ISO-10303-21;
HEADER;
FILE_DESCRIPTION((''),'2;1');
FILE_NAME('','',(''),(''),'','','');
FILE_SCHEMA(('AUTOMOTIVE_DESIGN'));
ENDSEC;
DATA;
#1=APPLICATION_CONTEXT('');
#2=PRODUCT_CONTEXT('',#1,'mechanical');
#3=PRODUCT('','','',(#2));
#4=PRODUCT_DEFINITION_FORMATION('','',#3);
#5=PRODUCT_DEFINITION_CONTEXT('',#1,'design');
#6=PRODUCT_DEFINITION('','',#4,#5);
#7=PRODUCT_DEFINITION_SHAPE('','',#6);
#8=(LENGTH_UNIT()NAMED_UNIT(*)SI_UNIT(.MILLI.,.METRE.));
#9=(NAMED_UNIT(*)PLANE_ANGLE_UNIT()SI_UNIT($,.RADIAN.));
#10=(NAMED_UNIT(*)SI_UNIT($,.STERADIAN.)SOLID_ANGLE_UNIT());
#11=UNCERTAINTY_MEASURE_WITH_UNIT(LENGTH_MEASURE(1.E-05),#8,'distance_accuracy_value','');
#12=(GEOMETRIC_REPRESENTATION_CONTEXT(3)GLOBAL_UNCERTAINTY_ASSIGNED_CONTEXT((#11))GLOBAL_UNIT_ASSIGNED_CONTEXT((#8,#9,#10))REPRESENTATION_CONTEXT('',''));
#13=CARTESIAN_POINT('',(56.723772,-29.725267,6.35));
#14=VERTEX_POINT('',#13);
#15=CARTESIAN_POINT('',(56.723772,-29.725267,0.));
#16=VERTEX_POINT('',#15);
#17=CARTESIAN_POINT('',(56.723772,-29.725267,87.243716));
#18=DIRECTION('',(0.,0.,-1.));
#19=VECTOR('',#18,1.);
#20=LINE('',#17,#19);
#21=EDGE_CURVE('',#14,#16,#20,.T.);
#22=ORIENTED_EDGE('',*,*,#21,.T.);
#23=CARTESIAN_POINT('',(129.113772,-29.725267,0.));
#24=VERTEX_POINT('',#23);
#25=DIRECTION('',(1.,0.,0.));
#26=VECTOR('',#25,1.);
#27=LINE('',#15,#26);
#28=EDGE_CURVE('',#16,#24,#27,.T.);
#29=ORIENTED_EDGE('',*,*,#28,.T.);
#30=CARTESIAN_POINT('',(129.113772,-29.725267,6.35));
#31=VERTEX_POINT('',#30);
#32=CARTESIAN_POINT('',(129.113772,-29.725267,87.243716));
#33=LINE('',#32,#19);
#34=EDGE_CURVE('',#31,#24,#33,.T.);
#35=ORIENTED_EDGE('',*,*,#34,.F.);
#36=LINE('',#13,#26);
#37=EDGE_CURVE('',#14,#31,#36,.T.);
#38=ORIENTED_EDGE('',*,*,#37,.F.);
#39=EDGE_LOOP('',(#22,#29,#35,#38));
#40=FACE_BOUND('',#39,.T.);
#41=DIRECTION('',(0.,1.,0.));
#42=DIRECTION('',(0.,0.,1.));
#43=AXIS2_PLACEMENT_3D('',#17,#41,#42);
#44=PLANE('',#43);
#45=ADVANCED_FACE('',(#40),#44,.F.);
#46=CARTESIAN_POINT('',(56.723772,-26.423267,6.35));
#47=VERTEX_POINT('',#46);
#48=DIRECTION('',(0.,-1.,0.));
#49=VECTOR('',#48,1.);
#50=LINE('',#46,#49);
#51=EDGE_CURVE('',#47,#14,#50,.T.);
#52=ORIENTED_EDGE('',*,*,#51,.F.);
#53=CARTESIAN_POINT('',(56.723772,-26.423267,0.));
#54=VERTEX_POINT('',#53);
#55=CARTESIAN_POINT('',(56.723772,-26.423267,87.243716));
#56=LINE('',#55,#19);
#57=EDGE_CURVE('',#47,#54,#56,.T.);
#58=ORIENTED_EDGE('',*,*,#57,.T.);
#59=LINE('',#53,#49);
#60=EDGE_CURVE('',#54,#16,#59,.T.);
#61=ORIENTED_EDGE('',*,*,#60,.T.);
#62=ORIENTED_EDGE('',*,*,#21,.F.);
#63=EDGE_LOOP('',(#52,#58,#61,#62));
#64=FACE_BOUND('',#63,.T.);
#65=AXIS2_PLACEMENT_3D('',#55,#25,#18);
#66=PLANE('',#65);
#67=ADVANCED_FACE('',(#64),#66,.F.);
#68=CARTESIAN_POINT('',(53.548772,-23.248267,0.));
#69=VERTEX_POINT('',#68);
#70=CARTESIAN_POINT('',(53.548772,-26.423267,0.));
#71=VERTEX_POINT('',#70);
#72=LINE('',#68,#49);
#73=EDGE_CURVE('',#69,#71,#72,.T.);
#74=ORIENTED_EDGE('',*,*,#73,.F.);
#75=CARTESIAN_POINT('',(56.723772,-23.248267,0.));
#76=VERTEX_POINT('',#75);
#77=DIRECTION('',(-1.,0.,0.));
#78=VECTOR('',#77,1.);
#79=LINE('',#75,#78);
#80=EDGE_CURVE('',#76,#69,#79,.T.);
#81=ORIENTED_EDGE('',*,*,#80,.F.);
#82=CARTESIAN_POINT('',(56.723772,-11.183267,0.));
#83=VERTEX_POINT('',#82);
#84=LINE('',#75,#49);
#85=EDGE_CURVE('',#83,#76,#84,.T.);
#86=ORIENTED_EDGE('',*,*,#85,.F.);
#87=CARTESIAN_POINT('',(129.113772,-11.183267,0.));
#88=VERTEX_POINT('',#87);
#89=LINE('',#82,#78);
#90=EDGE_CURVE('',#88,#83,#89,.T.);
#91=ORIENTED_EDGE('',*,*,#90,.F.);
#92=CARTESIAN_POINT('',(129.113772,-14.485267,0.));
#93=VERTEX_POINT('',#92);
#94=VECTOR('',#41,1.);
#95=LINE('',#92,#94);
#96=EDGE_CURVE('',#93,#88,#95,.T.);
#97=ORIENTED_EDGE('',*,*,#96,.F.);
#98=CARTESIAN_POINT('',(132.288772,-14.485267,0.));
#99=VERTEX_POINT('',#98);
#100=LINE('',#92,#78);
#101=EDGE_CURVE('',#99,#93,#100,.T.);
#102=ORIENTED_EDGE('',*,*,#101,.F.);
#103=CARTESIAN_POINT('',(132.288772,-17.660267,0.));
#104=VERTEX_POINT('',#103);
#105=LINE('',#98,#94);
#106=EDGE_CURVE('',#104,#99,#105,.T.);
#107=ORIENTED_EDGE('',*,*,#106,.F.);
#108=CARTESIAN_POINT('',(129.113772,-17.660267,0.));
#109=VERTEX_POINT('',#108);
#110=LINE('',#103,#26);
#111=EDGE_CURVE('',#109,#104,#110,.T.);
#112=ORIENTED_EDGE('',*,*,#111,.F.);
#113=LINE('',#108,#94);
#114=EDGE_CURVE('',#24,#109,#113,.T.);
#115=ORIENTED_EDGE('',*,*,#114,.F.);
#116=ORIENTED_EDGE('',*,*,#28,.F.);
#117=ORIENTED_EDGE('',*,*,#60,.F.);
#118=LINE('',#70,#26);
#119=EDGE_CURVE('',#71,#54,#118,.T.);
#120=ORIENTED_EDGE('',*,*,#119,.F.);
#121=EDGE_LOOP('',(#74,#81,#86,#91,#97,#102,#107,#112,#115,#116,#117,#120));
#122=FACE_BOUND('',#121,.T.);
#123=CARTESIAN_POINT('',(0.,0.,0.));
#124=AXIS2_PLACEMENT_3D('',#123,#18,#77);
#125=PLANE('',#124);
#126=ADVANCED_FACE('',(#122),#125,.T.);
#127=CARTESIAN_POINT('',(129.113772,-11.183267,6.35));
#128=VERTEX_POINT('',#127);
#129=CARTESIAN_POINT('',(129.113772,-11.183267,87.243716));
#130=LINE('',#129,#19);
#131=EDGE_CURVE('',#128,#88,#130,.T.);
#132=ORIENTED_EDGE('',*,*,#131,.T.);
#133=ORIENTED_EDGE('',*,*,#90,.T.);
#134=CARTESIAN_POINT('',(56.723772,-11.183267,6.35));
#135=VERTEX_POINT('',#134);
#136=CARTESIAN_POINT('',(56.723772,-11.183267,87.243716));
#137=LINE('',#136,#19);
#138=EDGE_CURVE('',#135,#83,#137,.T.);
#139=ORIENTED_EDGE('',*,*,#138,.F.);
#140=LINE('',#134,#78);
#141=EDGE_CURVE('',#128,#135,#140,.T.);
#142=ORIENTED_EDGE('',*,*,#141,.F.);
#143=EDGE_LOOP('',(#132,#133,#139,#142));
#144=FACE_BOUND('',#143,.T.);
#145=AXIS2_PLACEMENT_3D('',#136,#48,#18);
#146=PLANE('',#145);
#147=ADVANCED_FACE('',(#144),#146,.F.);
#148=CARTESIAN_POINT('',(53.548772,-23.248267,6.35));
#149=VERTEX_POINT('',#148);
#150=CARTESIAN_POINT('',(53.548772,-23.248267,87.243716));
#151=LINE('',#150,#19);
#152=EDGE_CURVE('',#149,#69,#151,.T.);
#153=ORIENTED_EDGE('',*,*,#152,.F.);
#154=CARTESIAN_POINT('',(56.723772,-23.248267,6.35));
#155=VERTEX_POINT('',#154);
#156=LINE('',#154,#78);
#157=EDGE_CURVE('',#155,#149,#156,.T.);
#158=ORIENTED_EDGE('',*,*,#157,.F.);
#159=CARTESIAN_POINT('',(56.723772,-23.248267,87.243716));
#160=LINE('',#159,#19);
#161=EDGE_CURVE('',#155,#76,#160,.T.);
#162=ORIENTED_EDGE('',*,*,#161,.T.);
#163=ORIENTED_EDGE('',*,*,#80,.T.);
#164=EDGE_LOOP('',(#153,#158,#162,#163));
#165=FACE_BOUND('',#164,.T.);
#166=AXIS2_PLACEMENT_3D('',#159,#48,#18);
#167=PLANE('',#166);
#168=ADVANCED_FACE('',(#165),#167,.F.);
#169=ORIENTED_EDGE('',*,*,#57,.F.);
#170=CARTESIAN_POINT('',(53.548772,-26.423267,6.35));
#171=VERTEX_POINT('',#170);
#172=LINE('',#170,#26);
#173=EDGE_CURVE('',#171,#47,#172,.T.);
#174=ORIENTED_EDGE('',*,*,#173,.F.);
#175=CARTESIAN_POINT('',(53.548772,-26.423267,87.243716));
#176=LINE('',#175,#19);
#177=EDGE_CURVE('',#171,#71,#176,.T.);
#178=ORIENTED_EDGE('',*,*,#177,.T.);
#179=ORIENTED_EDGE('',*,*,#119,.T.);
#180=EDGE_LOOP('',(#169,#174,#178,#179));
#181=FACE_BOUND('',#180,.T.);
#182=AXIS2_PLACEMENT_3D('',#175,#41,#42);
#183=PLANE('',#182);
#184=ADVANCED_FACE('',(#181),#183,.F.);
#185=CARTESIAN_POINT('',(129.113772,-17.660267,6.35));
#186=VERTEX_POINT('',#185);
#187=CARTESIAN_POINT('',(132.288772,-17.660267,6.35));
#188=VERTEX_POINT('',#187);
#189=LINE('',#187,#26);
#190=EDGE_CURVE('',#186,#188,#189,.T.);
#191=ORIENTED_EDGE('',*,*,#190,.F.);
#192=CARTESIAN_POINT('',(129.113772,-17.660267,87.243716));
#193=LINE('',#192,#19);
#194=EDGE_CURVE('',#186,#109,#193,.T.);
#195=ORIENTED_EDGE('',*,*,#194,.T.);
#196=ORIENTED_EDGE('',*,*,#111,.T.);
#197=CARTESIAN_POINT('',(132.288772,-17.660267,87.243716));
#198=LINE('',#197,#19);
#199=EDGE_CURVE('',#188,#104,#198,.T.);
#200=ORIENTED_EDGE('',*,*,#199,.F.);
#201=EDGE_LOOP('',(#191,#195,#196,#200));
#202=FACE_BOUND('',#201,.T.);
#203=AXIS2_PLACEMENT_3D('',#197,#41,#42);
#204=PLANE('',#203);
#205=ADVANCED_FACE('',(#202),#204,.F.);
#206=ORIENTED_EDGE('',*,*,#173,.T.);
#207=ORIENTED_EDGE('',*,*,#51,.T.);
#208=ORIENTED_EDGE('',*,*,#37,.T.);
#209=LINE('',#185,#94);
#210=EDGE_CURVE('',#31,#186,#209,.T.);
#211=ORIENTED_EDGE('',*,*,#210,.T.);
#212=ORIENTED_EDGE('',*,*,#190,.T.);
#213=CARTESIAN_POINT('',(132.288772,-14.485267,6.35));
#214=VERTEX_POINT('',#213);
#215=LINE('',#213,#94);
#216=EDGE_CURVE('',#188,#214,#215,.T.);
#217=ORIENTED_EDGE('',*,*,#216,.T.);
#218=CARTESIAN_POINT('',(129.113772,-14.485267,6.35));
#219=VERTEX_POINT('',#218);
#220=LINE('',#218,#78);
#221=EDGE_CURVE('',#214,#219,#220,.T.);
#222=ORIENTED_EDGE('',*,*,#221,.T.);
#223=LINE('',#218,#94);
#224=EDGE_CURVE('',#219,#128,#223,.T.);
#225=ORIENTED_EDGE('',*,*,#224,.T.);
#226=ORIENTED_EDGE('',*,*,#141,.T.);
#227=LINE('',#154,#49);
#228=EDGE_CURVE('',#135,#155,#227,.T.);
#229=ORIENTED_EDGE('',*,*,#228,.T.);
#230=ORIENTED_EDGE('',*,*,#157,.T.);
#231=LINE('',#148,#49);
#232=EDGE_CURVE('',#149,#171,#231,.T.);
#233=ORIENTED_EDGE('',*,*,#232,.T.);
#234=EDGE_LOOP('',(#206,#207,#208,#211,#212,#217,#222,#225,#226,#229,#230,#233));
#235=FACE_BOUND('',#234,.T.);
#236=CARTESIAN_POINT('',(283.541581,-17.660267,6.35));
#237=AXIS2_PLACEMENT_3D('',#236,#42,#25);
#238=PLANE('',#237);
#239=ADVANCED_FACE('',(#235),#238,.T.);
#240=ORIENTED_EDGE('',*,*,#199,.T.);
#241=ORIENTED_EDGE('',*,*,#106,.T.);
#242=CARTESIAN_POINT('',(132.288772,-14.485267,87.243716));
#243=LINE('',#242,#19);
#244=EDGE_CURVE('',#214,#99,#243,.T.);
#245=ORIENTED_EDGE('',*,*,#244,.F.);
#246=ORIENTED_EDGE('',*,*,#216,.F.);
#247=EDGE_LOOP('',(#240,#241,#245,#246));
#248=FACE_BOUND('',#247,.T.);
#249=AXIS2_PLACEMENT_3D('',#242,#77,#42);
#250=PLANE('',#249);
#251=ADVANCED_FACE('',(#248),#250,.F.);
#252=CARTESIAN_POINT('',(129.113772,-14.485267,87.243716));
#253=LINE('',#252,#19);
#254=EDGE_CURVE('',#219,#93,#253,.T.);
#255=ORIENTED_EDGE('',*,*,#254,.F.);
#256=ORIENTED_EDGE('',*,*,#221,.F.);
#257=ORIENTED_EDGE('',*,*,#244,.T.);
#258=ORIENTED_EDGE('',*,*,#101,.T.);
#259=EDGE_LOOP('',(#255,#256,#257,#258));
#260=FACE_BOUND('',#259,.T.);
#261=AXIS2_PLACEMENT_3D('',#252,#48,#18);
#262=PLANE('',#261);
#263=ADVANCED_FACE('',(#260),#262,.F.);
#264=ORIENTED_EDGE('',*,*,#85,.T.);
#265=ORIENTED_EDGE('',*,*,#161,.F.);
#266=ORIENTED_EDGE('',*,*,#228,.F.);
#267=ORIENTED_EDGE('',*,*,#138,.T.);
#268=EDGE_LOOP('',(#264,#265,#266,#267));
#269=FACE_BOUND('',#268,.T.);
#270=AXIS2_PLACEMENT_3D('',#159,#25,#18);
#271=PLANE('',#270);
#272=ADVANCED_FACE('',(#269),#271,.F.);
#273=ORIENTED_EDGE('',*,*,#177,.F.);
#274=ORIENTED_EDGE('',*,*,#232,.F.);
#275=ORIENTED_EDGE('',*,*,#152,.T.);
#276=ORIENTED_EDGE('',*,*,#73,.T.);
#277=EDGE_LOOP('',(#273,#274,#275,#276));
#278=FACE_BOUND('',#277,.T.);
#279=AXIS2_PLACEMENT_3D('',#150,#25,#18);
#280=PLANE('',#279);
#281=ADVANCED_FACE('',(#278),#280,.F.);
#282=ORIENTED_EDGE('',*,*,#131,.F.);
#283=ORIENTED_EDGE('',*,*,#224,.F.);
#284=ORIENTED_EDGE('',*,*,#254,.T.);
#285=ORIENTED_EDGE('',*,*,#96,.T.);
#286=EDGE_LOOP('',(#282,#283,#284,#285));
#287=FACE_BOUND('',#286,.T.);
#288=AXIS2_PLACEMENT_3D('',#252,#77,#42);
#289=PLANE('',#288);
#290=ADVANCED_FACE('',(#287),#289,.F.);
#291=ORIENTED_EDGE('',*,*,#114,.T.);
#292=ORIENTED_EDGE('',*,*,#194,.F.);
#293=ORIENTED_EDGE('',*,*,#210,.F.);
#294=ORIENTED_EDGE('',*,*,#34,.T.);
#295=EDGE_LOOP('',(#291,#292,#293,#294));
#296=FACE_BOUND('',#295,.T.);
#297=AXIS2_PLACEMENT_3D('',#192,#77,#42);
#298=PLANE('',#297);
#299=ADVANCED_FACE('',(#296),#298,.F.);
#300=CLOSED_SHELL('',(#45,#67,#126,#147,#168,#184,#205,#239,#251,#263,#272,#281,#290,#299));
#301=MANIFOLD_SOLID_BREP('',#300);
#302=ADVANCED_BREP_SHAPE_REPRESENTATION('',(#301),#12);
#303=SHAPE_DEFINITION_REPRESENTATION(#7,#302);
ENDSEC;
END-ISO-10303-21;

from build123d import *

# Parameters (mm, degrees)
BOSS_EXTRUDE1_DEPTH = 6.35


with BuildPart() as part:
    # Sketch4 → Boss-Extrude1 (new body)
    with BuildSketch(Plane.XY):
        Polygon((129.113772097, -14.485267498), (132.288772097, -14.485267498), (132.288772097, -17.660267498), (129.113772097, -17.660267498), (129.113772097, -23.248267498), (129.113772097, -26.423267498), (129.113772097, -29.725267498), (56.723772097, -29.725267498), (56.723772097, -26.423267498), (53.548772097, -26.423267498), (53.548772097, -23.248267498), (56.723772097, -23.248267498), (56.723772097, -11.183267498), (129.113772097, -11.183267498), align=None)
    extrude(amount=BOSS_EXTRUDE1_DEPTH)


solid = part.part
